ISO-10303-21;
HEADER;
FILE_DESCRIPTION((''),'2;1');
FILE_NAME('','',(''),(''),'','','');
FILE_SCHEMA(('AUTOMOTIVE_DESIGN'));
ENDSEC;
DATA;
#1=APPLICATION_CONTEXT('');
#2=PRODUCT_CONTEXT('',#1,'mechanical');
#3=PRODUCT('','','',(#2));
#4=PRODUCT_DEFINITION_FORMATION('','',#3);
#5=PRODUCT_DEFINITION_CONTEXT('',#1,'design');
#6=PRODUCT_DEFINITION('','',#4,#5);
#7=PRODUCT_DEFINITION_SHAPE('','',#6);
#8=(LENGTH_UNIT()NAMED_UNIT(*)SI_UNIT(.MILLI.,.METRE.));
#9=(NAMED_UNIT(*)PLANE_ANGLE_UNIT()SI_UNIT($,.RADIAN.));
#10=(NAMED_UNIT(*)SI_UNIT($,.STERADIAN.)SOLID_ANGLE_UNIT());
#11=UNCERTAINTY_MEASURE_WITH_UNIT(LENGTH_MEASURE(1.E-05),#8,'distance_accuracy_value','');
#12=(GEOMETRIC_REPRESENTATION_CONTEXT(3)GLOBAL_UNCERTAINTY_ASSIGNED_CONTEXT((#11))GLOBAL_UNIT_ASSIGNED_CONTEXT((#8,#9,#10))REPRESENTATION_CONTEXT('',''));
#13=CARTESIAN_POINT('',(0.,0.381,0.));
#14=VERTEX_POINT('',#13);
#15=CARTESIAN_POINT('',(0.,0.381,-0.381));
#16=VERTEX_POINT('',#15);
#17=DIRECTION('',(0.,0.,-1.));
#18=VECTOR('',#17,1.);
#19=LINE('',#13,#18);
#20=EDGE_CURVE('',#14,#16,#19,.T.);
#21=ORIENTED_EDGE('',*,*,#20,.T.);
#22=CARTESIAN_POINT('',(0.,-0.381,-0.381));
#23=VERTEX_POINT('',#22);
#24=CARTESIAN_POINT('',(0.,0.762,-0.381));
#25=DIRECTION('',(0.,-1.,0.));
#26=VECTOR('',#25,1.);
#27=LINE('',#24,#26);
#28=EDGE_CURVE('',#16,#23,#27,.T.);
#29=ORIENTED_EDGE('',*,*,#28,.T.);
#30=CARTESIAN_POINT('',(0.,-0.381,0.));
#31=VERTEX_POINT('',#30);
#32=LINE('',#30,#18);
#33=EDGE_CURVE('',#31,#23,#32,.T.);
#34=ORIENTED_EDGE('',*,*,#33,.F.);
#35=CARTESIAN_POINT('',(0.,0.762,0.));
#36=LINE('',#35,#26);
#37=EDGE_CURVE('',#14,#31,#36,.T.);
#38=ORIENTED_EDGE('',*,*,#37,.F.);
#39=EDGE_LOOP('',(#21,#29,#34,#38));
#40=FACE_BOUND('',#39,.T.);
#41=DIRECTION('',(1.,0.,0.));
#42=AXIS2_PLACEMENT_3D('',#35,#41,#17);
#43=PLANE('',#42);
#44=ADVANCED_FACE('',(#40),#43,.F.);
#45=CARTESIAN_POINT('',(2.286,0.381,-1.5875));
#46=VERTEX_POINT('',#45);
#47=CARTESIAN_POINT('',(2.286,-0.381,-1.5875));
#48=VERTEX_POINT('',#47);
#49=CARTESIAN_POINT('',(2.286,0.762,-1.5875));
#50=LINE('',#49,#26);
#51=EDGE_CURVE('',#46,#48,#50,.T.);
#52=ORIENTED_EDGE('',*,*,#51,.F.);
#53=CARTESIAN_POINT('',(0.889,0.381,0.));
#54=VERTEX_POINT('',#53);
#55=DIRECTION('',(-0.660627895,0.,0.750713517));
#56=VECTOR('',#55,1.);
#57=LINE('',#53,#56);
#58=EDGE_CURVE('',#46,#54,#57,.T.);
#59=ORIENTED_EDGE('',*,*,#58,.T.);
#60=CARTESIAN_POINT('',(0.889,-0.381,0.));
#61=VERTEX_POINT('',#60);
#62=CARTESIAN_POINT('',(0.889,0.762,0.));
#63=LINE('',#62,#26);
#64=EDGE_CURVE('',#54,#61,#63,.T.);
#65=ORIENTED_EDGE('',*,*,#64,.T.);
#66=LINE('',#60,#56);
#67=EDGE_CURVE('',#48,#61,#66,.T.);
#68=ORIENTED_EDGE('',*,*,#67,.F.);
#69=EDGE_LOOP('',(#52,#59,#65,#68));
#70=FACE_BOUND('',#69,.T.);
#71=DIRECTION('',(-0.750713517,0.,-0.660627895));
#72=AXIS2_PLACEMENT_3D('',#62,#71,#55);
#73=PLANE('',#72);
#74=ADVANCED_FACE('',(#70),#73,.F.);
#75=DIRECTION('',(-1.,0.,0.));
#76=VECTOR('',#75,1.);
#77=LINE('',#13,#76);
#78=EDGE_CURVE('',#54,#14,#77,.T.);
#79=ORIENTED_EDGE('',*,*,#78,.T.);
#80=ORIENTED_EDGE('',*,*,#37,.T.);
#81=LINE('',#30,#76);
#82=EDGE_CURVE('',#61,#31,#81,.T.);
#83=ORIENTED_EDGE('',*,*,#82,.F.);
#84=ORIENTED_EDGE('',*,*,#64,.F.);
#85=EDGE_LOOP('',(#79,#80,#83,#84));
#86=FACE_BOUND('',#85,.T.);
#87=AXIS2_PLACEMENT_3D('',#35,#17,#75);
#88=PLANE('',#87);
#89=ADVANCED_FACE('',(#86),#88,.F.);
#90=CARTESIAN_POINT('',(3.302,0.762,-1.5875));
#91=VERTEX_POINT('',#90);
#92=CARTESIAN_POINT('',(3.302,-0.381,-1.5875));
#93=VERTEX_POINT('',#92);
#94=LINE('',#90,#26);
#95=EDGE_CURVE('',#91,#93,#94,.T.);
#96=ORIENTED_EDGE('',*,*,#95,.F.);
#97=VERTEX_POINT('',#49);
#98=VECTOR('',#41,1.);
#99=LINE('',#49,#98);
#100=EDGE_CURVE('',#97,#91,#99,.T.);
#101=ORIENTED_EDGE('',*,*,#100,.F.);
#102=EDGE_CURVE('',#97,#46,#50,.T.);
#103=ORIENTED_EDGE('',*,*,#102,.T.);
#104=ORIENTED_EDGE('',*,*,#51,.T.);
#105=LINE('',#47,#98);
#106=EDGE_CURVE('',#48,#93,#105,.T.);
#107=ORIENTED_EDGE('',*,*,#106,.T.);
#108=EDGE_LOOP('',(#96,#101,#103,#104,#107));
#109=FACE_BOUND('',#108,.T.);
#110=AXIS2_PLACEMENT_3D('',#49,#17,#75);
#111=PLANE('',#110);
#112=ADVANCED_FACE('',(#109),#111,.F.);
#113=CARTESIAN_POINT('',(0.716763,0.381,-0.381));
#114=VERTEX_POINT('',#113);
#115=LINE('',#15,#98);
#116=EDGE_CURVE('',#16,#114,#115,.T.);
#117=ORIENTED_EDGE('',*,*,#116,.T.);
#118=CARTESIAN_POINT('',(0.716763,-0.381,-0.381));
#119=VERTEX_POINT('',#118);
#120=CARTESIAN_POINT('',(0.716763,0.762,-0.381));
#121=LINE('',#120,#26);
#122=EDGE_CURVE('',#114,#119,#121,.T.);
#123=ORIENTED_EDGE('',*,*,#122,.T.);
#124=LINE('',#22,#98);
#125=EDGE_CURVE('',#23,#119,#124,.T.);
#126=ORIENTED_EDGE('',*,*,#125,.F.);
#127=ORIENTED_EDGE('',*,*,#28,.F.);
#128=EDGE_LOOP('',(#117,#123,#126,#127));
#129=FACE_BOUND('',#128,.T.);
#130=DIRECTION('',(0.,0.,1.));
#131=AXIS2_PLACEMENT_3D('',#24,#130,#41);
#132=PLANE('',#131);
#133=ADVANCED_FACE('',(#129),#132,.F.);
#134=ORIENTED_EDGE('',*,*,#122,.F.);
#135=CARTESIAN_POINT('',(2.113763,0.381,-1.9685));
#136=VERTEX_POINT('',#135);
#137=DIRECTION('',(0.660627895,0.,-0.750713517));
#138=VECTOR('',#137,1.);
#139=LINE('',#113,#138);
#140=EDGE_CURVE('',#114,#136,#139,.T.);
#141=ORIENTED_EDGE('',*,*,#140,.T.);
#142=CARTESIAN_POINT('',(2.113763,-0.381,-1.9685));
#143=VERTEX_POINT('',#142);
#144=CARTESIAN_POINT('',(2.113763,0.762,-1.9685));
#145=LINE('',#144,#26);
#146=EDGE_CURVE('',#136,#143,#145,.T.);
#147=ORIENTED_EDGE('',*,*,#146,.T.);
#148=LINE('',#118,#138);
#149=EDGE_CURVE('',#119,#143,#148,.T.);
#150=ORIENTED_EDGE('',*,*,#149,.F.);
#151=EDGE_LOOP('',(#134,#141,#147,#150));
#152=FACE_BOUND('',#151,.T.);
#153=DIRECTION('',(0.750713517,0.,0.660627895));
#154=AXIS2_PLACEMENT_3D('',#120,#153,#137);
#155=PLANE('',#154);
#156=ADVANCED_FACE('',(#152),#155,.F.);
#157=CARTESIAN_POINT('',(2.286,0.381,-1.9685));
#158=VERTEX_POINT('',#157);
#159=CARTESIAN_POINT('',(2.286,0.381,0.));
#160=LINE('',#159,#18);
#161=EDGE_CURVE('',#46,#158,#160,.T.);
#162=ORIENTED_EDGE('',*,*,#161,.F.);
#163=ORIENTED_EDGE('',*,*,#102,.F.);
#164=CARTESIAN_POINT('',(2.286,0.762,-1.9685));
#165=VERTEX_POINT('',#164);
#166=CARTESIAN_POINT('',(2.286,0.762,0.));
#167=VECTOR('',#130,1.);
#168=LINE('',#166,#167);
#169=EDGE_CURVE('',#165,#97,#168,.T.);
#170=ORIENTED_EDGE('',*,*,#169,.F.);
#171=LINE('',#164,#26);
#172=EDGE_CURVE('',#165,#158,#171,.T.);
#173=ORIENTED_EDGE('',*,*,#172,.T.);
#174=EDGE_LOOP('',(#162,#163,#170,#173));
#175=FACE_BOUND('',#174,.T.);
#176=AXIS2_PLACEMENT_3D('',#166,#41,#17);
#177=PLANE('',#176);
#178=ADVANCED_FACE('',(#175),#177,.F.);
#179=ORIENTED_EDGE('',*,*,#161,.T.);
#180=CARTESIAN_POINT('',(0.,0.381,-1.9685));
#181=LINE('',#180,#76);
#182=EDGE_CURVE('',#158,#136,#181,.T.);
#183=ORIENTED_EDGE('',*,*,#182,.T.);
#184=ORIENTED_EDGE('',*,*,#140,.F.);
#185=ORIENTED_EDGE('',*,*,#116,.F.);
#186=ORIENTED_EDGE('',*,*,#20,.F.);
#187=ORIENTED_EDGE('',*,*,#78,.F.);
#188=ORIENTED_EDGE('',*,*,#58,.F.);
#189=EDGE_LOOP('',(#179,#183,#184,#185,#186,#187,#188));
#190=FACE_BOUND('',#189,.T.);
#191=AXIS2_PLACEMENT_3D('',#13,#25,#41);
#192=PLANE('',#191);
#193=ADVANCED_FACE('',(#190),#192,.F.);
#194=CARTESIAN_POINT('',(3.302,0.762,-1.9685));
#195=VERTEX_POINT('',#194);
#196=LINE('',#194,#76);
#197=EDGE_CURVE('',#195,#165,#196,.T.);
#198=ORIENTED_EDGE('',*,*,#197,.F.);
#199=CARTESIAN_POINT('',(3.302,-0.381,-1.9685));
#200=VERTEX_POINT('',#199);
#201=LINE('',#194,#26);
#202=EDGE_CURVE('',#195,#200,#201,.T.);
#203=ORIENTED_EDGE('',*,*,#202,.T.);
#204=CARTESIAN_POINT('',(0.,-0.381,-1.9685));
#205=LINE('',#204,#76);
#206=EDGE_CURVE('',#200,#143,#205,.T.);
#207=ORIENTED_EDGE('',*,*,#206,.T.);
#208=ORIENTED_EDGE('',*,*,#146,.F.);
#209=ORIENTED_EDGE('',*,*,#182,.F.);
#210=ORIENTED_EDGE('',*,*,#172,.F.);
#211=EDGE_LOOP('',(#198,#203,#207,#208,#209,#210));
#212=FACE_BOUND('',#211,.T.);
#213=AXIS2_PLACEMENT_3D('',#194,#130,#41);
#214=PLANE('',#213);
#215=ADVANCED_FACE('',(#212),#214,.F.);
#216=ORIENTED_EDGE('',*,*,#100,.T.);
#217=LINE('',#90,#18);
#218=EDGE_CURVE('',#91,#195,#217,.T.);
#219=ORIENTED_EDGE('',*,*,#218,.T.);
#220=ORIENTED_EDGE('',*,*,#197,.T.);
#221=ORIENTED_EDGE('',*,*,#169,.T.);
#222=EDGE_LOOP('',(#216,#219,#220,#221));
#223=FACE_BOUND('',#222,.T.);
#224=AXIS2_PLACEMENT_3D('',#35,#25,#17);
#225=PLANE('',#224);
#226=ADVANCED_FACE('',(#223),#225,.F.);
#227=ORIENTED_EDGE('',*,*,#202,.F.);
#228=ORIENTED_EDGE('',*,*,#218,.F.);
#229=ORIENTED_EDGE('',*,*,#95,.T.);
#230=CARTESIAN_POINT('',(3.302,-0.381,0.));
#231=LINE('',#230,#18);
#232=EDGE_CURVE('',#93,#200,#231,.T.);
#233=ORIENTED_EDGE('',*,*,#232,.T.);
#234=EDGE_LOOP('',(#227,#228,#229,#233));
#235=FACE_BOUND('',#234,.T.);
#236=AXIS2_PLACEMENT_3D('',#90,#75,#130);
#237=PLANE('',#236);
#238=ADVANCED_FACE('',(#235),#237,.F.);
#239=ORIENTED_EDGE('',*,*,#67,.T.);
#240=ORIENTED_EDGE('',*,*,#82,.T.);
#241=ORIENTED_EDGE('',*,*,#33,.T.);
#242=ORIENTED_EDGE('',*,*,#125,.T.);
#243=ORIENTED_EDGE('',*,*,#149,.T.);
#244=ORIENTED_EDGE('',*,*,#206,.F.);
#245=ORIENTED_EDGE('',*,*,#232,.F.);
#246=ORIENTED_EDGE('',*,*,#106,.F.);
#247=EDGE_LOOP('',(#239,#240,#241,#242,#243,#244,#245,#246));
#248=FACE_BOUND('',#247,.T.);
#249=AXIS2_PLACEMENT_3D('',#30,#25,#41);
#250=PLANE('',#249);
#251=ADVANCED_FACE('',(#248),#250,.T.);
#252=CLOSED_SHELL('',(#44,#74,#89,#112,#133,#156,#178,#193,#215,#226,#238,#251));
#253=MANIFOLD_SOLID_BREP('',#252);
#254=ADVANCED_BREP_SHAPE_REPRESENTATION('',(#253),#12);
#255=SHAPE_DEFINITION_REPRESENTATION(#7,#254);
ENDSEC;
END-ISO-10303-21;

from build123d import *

# Parameters (mm, degrees)
BOSS_EXTRUDE1_DEPTH = 0.762
SKETCH2_W           = 2.286
SKETCH2_H           = 0.381
CUT_EXTRUDE1_DEPTH  = 2.9685
SKETCH3_W           = 1.016
SKETCH3_H           = 0.381
CUT_EXTRUDE2_DEPTH  = 2.9685


with BuildPart() as part:
    # Sketch1 → Boss-Extrude1 (new body, symmetric)
    with BuildSketch(Plane(origin=(0, 0, 0), x_dir=(1, 0, 0), z_dir=(0, 1, 0))):
        Polygon((0, 0), (0.889, 0), (2.286, 1.5875), (3.302, 1.5875), (3.302, 1.9685), (2.113762829, 1.9685), (0.716762829, 0.381), (0, 0.381), align=None)
    extrude(amount=BOSS_EXTRUDE1_DEPTH, both=True)

    # Sketch2 → Cut-Extrude1 (cut, through all)
    with BuildSketch(Plane(origin=(0, 0, -1.9685), x_dir=(-1, 0, 0), z_dir=(0, 0, -1))):
        with Locations((-1.143, 0.5715)):
            Rectangle(SKETCH2_W, SKETCH2_H)
    cut_extrude1 = extrude(amount=-CUT_EXTRUDE1_DEPTH, mode=Mode.SUBTRACT)

    # Mirror1: Cut-Extrude1 across plane
    add(cut_extrude1.mirror(Plane.ZX), mode=Mode.SUBTRACT)

    # Sketch3 → Cut-Extrude2 (cut, through all)
    with BuildSketch(Plane(origin=(0, 0, -1.9685), x_dir=(-1, 0, 0), z_dir=(0, 0, -1))):
        with Locations((-2.794, -0.5715)):
            Rectangle(SKETCH3_W, SKETCH3_H)
    extrude(amount=-CUT_EXTRUDE2_DEPTH, mode=Mode.SUBTRACT)


solid = part.part
